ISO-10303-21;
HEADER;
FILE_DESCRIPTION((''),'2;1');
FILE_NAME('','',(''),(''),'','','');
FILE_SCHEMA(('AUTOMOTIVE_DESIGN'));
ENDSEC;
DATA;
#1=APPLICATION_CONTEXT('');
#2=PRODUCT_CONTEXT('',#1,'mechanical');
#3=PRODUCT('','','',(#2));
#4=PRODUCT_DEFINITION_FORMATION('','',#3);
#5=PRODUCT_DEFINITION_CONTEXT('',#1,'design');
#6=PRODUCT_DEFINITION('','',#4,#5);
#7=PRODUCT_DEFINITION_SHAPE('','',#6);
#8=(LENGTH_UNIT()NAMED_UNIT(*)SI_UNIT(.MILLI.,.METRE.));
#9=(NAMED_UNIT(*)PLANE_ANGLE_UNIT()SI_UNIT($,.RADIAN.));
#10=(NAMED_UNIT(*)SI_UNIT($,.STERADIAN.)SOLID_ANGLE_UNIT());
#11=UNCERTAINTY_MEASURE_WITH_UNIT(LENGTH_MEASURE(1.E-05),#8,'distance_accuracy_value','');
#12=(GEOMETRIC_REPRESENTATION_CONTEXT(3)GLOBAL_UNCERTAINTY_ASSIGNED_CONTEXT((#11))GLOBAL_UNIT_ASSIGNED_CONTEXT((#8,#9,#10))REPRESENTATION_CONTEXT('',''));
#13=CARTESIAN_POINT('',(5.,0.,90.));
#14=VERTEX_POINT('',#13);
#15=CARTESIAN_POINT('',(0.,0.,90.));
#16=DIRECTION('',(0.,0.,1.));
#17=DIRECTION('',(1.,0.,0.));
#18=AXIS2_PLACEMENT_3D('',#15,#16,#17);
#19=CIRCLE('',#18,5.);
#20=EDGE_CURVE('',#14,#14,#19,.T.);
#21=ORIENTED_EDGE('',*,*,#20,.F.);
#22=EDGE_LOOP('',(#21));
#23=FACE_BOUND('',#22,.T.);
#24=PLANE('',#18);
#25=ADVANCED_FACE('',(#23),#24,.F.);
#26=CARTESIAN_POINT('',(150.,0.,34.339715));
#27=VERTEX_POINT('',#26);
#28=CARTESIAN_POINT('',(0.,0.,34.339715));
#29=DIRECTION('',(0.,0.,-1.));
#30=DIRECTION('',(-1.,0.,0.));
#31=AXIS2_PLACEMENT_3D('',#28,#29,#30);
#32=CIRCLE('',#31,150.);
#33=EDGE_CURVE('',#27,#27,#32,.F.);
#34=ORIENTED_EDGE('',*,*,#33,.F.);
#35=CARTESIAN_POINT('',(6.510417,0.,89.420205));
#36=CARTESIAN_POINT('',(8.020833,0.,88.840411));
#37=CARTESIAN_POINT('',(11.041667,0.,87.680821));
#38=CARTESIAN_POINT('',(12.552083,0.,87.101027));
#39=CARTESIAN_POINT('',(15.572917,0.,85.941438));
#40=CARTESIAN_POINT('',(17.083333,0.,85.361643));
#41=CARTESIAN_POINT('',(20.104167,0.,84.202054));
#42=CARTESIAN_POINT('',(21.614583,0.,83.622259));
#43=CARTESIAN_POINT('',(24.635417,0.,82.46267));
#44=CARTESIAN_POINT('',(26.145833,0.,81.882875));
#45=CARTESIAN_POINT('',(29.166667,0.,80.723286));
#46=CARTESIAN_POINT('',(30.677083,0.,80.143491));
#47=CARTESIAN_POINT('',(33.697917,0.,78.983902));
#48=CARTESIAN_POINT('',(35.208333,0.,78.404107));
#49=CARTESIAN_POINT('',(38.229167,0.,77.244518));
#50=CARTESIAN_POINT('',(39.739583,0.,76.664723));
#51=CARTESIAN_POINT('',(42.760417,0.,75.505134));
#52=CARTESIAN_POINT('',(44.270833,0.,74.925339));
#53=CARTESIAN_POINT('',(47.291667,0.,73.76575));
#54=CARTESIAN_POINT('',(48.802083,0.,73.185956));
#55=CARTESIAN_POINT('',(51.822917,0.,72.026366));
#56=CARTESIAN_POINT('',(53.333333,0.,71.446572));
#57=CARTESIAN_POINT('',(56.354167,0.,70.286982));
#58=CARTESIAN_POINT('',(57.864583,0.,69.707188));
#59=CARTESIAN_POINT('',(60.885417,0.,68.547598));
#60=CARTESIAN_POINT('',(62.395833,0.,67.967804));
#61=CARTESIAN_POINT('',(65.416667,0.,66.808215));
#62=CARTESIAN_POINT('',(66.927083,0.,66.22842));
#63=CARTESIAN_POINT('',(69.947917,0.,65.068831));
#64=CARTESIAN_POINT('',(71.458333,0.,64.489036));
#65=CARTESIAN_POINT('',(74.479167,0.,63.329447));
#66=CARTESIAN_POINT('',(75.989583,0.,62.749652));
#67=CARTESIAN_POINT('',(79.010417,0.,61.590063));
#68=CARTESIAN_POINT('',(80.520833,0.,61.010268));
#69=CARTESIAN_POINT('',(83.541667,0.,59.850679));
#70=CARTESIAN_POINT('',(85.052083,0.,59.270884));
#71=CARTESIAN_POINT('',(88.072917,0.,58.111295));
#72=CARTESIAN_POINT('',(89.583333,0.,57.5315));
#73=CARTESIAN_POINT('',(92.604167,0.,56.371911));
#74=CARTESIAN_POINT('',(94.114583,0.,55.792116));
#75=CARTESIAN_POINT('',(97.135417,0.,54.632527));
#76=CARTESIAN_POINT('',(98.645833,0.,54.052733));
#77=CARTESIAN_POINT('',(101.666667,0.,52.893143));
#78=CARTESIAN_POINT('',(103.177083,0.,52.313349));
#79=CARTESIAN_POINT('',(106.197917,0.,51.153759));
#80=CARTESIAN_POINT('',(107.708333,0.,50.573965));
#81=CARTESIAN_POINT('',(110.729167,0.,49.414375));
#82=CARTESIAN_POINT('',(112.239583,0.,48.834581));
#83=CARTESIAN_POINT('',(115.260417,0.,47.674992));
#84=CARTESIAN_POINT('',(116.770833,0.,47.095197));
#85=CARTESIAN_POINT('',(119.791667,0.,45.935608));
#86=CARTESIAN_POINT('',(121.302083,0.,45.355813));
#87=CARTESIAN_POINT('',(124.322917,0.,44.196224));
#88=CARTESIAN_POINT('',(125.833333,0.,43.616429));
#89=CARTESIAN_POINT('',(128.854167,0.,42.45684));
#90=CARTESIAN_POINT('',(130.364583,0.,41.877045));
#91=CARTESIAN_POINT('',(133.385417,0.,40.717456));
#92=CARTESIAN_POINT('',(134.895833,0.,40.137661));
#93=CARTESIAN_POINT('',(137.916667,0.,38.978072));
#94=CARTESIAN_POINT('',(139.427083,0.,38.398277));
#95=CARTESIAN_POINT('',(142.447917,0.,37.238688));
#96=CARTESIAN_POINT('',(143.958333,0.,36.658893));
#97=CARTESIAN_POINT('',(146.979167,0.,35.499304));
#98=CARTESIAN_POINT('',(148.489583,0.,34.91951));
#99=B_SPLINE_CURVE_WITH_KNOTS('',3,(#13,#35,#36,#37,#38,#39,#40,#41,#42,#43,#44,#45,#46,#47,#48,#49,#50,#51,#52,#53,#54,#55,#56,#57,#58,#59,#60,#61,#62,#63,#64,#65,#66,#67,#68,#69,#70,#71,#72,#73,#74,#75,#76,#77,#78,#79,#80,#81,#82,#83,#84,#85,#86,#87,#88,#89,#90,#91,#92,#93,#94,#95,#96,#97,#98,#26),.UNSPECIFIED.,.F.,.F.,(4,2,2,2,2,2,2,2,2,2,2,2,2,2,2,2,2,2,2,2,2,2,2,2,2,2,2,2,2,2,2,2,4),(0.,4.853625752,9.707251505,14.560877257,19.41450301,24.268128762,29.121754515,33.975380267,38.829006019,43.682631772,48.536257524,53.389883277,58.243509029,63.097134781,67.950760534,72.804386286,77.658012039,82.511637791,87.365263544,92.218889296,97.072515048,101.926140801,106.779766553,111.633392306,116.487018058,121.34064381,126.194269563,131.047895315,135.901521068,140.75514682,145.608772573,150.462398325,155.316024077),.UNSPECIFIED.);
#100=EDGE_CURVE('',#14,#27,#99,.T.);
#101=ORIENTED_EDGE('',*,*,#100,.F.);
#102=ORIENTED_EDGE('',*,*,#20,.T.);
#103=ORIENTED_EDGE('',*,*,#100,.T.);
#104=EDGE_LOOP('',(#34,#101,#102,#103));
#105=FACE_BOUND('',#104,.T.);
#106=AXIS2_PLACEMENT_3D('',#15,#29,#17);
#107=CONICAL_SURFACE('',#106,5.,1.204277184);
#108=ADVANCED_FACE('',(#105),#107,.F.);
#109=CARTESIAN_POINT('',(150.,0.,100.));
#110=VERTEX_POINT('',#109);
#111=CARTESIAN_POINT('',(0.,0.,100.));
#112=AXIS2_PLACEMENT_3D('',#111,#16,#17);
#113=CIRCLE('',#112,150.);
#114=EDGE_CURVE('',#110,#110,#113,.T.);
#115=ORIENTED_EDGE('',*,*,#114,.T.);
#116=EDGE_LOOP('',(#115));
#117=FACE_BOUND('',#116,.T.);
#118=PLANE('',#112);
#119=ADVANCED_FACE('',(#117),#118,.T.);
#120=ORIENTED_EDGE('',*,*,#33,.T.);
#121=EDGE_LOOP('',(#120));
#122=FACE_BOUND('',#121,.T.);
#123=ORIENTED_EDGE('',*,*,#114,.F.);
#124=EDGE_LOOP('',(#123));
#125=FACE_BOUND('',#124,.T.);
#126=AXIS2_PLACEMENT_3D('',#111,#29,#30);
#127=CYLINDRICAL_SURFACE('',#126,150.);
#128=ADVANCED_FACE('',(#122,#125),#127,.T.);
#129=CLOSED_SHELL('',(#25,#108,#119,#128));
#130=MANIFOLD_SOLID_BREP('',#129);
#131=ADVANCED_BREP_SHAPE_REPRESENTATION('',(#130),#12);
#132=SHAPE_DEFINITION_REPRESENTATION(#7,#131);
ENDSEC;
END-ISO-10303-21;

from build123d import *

# Parameters (mm, degrees)
ESBO_O1_R                = 150
RESSALTO_EXTRUS_O1_DEPTH = 100
ESBO_O3_R                = 5
CORTE_EXTRUS_O1_DEPTH    = 100
CORTE_EXTRUS_O1_DRAFT    = 69


with BuildPart() as part:
    # Esboço1 → Ressalto-extrusão1 (new body)
    with BuildSketch(Plane.XY):
        Circle(ESBO_O1_R)
    extrude(amount=RESSALTO_EXTRUS_O1_DEPTH)


with BuildPart() as corte_extrus_o1_tool:
    # Esboço3 → Corte-extrusão1 (with draft: the straight prism first)
    with BuildSketch(Plane.XY.offset(90)):
        Circle(ESBO_O3_R)
    extrude(amount=-CORTE_EXTRUS_O1_DEPTH)
    # Corte-extrusão1: the draft: its side faces are tilted about the plane it starts from
    corte_extrus_o1_sides = [corte_extrus_o1_tool.faces().sort_by_distance(p)[0] for p in [
        (-5, 0, 40),
    ]]
    draft(corte_extrus_o1_sides, Plane.XY.offset(90), CORTE_EXTRUS_O1_DRAFT)


with BuildPart() as part_1:
    add(part.part)

    # Corte-extrusão1: cut by corte_extrus_o1_tool
    add(corte_extrus_o1_tool.part, mode=Mode.SUBTRACT)


solid = part_1.part
